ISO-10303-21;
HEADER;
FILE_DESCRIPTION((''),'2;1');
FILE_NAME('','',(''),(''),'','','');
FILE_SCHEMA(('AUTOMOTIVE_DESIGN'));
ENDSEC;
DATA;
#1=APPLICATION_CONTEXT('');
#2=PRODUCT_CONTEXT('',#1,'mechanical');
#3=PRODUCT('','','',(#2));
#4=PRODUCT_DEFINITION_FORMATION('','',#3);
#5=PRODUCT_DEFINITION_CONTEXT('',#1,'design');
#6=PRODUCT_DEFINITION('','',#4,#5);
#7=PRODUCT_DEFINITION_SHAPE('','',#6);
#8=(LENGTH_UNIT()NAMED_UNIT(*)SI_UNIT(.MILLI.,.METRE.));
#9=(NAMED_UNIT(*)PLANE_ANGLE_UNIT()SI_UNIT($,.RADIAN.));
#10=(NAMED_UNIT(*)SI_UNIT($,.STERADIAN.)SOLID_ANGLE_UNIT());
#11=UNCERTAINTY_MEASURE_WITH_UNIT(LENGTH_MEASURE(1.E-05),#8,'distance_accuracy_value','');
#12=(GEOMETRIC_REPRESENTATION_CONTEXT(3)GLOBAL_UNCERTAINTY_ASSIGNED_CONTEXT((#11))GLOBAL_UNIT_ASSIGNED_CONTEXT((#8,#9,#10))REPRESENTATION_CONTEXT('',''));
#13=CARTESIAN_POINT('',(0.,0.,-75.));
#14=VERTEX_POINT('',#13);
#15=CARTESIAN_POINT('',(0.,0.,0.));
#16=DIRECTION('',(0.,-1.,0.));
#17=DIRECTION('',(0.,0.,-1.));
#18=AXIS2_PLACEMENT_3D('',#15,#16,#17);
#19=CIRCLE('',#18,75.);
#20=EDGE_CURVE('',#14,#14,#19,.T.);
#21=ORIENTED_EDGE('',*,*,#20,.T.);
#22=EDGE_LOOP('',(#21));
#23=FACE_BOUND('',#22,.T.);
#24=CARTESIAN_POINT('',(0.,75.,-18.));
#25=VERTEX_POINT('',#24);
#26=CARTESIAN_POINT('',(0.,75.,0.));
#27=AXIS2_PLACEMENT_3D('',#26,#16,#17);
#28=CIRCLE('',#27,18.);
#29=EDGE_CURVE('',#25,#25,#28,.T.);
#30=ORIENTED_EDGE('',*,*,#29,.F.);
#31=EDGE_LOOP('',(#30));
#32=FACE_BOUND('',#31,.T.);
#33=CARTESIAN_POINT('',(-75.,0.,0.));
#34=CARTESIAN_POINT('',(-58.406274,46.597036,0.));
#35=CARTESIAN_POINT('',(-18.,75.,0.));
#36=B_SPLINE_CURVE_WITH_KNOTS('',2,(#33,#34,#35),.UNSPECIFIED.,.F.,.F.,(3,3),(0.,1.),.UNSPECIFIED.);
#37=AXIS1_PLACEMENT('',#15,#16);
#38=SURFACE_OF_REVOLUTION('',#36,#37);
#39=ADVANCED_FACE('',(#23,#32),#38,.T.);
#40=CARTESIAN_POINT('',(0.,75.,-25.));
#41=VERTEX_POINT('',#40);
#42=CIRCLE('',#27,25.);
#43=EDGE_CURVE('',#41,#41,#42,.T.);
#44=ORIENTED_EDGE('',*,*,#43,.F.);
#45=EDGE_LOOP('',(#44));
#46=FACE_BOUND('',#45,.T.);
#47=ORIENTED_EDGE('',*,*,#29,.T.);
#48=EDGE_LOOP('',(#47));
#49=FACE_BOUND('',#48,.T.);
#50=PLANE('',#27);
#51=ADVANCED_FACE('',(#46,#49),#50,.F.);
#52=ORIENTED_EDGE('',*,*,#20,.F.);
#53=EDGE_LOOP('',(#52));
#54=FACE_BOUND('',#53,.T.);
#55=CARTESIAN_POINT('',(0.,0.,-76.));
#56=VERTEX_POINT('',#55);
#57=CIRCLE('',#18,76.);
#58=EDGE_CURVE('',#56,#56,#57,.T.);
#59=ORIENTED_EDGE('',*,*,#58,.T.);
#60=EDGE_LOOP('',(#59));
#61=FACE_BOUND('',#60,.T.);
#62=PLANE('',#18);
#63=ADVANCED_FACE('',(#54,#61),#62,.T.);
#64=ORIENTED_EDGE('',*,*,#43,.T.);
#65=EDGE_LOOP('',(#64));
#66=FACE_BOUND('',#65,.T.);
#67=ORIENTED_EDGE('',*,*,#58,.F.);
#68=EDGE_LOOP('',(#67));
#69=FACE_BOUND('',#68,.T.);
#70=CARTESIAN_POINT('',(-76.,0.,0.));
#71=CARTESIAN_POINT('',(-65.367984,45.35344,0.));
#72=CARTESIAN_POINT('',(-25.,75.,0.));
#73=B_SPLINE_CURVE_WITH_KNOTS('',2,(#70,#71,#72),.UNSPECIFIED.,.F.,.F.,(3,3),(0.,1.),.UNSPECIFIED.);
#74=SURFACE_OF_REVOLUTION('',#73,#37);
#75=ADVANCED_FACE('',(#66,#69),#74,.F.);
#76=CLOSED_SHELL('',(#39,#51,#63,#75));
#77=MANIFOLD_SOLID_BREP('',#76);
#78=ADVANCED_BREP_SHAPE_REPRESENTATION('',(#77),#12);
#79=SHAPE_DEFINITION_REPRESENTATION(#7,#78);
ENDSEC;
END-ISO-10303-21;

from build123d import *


with BuildPart() as part:
    # Sketch1 → Revolve1 (revolve)
    with BuildSketch(Plane.XY):
        with BuildLine():
            Line((-18, 75), (-25, 75))
            add(Edge.make_bspline(
                [(-76, 0), (-65.367984326, 45.353440289), (-25, 75)],
                knots=[0, 0, 0, 1, 1, 1], degree=2))
            Line((-76, 0), (-75, 0))
            add(Edge.make_bspline(
                [(-75, 0), (-58.406274113, 46.597036045), (-18, 75)],
                knots=[0, 0, 0, 1, 1, 1], degree=2))
        make_face()
    revolve(axis=Axis((0, 0, 0), (0, 1, 0)))


solid = part.part
